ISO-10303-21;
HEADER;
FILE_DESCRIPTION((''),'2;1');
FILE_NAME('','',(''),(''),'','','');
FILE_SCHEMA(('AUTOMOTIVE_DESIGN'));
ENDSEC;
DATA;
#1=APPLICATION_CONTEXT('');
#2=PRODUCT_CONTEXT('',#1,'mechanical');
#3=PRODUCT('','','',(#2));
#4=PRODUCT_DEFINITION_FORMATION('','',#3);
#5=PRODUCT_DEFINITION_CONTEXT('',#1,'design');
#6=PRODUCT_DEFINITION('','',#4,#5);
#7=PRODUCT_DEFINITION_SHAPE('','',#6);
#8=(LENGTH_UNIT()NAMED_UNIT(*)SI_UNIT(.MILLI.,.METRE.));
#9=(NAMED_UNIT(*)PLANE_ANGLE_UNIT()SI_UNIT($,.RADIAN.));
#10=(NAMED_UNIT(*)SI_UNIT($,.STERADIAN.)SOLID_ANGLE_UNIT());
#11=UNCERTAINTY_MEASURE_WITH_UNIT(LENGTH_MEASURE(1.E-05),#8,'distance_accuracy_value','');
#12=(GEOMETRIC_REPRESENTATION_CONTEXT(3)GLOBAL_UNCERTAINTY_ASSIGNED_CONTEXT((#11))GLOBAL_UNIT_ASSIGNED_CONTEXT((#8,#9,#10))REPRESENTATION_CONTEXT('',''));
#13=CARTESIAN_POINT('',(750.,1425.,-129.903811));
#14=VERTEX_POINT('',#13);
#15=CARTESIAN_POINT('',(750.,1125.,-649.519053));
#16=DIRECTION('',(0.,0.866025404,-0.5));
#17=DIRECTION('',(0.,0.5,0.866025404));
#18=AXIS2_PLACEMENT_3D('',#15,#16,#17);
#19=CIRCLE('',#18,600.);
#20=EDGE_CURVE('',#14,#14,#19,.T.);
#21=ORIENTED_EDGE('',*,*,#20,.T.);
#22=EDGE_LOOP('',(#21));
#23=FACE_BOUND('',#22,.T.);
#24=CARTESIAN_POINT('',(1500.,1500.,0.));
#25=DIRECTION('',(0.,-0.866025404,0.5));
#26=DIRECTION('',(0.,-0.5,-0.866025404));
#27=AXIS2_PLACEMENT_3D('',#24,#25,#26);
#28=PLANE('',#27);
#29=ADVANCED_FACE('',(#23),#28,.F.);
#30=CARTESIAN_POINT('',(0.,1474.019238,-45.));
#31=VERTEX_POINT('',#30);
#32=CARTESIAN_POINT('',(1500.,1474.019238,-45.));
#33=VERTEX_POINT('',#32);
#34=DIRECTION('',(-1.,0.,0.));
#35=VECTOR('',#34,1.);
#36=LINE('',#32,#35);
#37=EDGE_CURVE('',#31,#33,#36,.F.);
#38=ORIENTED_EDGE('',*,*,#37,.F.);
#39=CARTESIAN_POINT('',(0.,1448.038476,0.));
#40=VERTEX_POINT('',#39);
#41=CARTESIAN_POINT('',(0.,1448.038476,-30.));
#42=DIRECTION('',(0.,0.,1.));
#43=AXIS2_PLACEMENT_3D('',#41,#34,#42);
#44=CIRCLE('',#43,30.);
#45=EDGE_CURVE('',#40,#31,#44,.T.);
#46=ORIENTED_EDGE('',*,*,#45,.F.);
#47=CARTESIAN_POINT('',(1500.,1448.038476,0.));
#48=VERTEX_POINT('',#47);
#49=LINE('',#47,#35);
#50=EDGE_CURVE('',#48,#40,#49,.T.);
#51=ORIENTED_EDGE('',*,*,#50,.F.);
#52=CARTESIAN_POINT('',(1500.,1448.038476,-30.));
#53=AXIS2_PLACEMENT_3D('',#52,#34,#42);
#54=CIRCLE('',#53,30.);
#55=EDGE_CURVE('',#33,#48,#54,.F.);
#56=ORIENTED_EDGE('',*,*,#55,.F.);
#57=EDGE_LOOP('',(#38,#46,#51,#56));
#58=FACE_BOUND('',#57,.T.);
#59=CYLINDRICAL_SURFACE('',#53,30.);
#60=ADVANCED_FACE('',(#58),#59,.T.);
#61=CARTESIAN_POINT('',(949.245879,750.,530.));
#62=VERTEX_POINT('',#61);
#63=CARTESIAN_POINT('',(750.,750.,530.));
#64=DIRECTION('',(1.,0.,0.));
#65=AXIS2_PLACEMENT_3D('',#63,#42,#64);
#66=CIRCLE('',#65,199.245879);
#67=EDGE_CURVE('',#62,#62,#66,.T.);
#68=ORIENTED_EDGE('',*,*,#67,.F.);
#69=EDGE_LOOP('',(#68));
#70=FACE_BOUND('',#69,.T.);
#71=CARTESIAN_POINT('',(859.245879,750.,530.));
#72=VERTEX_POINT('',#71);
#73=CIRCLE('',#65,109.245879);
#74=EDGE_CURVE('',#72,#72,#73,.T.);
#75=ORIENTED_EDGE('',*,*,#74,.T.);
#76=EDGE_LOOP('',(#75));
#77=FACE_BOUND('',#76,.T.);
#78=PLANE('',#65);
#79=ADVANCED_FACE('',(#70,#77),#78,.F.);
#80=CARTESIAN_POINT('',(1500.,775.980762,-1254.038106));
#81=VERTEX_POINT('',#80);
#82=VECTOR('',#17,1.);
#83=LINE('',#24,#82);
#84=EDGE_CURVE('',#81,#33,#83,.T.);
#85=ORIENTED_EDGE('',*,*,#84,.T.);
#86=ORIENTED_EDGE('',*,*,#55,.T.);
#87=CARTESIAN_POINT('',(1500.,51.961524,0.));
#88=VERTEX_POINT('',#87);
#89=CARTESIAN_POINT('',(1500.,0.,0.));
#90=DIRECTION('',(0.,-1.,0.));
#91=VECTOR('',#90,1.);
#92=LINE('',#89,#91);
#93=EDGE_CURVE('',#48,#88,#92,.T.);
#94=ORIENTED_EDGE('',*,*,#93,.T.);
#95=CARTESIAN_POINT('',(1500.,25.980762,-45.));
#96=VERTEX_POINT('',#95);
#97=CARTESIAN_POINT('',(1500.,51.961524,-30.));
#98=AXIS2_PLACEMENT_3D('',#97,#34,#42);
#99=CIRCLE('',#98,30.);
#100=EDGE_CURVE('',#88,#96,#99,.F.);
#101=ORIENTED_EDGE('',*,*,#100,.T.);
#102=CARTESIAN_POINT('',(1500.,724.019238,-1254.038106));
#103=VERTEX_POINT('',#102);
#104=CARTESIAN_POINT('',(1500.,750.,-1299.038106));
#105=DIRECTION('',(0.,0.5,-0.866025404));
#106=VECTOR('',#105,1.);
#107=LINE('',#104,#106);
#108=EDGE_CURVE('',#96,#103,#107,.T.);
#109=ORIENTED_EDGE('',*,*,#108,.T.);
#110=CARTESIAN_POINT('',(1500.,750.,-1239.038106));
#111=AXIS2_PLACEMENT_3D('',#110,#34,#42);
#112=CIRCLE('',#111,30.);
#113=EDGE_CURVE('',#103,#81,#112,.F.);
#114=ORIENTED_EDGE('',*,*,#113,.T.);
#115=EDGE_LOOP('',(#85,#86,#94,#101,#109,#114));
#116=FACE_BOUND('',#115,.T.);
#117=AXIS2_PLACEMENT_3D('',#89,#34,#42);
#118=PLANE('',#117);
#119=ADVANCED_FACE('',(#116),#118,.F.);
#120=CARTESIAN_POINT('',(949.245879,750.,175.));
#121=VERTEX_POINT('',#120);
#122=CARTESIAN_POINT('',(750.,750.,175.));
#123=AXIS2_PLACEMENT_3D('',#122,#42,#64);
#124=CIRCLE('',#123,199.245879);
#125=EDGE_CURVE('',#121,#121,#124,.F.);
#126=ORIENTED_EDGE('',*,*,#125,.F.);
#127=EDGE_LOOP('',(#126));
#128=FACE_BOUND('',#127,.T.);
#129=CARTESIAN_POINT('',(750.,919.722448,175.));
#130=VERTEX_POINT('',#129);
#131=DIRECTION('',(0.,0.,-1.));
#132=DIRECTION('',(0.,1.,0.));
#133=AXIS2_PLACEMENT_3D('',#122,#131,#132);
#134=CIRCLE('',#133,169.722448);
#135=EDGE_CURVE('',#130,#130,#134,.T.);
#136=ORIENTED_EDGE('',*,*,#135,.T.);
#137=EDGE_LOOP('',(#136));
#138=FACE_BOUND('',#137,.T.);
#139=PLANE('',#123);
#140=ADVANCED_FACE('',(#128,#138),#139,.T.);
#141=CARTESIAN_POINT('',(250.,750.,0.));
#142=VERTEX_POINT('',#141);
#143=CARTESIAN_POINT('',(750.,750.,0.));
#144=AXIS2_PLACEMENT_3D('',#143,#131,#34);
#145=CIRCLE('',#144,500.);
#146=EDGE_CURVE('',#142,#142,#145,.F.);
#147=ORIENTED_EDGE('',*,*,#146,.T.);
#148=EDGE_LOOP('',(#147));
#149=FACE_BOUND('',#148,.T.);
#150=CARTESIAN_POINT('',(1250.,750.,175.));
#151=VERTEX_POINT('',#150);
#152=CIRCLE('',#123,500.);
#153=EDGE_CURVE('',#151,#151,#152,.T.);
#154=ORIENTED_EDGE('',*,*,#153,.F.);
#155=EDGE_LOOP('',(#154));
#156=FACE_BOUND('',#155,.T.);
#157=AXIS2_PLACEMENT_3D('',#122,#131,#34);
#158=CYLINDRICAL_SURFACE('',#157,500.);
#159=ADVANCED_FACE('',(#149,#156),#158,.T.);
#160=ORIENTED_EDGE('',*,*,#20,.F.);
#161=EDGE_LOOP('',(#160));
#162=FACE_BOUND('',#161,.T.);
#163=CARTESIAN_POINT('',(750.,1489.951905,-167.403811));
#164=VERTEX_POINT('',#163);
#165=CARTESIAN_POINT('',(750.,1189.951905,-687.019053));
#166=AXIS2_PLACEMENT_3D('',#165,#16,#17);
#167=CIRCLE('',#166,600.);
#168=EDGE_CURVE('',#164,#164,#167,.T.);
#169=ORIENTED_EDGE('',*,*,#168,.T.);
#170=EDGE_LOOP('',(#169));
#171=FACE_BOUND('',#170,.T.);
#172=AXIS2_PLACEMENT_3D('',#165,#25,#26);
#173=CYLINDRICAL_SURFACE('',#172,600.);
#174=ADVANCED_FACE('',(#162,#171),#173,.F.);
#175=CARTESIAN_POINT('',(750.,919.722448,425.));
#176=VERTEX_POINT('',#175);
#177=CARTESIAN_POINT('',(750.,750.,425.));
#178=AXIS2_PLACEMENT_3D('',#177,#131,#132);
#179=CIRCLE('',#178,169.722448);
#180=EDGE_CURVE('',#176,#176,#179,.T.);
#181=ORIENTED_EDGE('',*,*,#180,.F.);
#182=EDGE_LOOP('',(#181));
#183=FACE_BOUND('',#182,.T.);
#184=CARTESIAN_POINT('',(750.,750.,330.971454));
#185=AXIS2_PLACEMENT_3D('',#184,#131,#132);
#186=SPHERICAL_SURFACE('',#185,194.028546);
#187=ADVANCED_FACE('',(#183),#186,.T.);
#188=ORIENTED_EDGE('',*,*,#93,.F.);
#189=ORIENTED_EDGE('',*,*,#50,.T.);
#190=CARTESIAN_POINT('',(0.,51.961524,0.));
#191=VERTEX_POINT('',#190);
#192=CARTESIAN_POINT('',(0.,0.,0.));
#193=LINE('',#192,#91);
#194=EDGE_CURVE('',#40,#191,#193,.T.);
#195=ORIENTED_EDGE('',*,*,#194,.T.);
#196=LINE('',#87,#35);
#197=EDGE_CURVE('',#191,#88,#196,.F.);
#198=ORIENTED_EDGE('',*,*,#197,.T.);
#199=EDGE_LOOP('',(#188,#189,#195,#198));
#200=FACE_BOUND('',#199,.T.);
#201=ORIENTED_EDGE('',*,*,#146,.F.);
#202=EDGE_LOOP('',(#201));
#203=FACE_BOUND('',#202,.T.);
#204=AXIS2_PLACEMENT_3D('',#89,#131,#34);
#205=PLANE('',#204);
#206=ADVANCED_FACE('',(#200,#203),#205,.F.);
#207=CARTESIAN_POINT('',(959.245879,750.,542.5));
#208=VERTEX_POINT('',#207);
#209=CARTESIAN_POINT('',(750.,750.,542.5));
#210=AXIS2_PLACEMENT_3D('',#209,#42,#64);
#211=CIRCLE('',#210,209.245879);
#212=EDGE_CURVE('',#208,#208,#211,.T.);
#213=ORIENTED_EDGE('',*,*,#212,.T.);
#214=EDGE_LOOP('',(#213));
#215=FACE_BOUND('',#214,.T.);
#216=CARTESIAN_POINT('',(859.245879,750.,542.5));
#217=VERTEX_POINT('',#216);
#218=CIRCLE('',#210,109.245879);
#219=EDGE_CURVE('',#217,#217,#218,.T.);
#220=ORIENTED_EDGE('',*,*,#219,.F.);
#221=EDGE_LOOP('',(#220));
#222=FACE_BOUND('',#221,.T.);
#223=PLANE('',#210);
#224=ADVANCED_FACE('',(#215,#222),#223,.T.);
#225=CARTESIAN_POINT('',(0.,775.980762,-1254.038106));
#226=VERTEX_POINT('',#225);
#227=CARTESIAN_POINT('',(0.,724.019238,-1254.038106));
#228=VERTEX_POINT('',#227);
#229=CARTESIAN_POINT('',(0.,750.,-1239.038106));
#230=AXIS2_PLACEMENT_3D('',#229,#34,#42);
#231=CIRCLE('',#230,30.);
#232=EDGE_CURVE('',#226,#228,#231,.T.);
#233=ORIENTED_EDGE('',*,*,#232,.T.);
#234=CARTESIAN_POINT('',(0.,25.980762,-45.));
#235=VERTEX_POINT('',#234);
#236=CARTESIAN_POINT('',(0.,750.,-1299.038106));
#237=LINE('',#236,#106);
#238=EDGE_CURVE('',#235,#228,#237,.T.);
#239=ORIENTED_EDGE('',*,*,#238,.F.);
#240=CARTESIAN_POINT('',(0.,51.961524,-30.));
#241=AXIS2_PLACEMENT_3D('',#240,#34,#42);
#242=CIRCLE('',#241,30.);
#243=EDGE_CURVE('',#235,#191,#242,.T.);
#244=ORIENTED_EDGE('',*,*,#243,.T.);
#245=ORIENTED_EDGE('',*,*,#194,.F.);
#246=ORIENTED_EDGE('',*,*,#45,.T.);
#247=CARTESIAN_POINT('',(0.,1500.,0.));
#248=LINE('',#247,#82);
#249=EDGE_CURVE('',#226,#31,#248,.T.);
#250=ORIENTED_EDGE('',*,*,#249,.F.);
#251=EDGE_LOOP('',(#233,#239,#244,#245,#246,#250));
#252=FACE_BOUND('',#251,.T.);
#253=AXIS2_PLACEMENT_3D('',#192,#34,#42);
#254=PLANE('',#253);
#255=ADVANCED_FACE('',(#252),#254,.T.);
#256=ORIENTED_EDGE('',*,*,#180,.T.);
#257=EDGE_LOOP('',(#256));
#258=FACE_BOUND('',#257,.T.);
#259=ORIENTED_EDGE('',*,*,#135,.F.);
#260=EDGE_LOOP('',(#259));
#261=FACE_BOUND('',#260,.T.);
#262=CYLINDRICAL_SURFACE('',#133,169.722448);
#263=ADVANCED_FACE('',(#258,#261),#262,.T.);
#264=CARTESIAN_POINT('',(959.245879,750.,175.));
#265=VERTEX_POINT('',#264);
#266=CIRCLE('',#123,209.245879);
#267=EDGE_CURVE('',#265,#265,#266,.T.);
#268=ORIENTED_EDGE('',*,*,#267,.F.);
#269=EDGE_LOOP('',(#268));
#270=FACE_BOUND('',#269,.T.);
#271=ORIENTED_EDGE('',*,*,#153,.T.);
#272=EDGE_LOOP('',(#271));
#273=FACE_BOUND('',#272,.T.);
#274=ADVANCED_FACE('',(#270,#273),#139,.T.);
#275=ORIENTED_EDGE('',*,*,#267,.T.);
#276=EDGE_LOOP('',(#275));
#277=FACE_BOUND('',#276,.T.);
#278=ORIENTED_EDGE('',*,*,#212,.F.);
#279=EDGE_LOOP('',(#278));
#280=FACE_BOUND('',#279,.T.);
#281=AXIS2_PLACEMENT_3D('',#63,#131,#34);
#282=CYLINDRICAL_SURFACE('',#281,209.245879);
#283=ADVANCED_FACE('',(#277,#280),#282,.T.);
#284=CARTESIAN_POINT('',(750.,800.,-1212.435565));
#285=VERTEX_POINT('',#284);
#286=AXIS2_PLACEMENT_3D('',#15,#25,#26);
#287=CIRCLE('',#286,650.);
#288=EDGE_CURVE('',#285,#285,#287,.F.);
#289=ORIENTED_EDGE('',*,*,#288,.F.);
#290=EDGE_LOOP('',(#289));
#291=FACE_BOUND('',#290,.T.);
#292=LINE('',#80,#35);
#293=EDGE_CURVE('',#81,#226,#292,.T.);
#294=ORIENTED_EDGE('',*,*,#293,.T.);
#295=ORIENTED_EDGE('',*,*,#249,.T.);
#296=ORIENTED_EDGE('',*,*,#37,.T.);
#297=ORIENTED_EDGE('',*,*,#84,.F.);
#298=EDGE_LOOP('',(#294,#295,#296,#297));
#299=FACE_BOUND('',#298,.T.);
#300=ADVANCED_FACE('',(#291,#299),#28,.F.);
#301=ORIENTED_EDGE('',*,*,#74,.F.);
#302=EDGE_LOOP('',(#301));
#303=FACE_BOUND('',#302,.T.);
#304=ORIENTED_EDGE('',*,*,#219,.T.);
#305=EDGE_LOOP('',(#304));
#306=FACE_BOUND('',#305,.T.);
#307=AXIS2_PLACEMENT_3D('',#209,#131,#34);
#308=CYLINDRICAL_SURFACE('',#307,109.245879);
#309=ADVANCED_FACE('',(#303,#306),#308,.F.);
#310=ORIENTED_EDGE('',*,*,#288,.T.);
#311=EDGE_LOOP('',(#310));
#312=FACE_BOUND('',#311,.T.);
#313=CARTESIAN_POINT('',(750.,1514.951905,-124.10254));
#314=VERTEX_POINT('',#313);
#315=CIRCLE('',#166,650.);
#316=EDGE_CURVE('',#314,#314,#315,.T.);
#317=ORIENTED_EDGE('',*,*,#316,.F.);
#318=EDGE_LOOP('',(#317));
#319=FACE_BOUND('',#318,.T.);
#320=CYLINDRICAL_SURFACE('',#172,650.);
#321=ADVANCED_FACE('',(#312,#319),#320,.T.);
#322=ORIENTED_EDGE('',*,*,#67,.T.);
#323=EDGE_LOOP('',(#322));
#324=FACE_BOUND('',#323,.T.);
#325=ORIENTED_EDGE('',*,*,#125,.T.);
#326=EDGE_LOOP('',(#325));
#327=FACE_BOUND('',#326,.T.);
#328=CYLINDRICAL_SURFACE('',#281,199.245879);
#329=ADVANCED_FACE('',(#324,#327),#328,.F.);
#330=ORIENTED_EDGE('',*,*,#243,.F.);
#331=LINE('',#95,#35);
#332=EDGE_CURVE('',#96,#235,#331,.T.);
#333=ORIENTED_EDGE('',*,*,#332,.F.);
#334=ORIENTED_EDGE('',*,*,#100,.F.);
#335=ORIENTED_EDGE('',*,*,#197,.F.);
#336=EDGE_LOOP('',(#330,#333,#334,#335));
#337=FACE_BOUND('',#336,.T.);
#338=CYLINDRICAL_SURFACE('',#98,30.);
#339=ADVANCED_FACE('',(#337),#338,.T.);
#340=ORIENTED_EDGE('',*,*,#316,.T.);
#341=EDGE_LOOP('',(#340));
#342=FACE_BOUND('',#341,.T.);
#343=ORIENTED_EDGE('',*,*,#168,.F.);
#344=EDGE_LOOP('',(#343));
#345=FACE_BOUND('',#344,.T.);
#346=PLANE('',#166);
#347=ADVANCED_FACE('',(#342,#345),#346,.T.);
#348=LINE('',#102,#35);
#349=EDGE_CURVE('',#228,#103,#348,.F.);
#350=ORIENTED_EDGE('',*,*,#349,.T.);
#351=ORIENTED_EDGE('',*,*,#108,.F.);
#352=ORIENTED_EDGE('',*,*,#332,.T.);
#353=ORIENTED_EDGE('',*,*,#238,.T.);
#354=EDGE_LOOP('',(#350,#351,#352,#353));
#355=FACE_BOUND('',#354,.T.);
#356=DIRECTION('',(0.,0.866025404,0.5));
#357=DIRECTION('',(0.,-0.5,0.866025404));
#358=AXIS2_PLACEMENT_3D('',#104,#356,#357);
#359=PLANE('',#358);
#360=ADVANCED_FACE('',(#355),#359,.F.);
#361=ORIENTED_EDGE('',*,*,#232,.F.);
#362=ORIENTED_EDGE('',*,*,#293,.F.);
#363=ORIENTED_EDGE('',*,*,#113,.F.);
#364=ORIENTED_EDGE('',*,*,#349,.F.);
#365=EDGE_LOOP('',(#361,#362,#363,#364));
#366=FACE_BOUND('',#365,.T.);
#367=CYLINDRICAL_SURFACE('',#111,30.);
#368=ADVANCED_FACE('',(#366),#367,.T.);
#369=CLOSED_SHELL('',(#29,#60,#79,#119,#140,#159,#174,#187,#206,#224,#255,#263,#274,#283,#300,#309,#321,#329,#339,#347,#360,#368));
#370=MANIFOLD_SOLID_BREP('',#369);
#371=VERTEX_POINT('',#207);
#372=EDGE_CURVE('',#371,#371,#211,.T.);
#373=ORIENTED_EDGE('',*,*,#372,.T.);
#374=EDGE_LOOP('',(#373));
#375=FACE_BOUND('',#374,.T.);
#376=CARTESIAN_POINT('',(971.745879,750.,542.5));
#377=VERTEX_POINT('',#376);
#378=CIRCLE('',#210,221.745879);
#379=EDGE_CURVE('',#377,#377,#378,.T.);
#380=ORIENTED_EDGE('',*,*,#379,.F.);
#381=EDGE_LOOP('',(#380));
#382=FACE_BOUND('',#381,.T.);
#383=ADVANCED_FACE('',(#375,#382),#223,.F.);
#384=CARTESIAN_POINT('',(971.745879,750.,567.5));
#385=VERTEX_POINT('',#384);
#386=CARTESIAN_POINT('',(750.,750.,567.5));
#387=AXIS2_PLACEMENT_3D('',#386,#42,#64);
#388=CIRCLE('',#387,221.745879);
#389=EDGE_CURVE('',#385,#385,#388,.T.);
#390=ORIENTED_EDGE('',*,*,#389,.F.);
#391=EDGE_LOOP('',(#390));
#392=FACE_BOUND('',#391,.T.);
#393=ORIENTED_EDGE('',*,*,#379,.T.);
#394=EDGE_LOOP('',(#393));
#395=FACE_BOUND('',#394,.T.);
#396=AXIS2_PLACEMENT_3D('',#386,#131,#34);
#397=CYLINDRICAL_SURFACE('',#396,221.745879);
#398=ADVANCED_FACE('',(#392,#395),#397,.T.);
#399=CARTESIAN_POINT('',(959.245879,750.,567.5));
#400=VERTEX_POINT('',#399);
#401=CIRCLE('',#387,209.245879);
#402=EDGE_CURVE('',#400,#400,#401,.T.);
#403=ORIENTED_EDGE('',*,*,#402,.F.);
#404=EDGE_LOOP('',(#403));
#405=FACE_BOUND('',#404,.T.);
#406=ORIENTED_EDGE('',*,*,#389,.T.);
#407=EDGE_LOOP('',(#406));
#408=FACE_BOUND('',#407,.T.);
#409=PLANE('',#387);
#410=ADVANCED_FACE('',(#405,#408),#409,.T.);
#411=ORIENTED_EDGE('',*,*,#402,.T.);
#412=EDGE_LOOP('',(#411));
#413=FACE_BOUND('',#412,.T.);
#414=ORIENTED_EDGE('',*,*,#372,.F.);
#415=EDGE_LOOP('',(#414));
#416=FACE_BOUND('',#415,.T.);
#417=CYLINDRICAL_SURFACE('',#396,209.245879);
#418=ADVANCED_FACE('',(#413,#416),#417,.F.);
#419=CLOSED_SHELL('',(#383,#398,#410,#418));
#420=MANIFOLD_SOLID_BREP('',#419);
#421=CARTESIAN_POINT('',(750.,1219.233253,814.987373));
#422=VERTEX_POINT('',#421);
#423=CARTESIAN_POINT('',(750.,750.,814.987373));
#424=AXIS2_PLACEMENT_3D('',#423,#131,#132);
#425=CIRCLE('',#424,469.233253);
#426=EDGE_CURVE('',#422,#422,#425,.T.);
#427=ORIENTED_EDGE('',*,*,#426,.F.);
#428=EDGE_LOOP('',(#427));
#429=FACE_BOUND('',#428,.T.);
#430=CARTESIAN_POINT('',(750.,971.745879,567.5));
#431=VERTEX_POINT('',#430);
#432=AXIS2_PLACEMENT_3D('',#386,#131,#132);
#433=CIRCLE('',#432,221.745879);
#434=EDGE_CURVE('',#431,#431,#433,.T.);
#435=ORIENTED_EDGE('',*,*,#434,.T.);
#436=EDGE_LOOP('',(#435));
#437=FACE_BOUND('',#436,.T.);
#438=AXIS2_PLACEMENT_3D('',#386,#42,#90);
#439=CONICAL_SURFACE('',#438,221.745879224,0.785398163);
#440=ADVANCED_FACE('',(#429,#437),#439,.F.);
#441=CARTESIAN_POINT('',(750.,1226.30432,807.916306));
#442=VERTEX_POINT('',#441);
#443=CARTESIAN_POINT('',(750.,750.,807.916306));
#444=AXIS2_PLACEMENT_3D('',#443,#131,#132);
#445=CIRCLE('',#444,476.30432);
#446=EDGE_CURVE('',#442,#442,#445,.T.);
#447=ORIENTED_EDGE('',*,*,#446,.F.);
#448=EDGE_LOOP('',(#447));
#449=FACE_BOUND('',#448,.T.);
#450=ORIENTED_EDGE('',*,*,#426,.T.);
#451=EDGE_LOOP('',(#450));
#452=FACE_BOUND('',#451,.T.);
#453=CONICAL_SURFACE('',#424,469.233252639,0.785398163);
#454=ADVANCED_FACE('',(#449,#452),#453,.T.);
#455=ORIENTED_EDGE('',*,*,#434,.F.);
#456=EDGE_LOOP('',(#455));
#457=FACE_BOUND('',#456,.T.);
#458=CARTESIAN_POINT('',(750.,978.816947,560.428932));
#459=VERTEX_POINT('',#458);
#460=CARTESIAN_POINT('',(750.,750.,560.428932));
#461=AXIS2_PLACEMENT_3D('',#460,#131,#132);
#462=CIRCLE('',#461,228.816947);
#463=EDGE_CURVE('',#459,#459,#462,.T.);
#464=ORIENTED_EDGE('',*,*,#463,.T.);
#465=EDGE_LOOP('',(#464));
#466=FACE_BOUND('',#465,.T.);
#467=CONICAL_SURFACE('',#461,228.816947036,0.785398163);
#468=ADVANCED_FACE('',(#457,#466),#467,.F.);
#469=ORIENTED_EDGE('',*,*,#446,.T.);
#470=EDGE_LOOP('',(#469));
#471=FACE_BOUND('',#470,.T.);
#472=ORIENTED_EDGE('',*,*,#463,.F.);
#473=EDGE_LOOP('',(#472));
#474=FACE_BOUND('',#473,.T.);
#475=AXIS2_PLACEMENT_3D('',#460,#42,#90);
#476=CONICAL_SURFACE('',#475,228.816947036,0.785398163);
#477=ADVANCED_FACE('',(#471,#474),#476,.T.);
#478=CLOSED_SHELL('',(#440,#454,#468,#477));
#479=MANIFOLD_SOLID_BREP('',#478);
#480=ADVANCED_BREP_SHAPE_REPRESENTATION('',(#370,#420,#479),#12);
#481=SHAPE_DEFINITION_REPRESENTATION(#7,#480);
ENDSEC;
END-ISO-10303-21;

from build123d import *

# Parameters (mm, degrees)
BOSS_EXTRUDE1_DEPTH = 1500
FILLET5_R           = 30
FILLET6_R           = 30
SKETCH5_R           = 500
BOSS_EXTRUDE2_DEPTH = 175
SKETCH10_R          = 209.245879224
SKETCH10_R_2        = 199.245879224
EXTRUDE_THIN2_DEPTH = 355
SKETCH11_R          = 209.245879224
SKETCH11_R_2        = 109.245879224
BOSS_EXTRUDE3_DEPTH = 12.5
SKETCH12_R          = 221.745879224
SKETCH12_R_2        = 209.245879224
BOSS_EXTRUDE5_DEPTH = 25
SKETCH15_R          = 650
SKETCH15_R_2        = 600
BOSS_EXTRUDE6_DEPTH = 75


with BuildPart() as part:
    # Sketch3 → Boss-Extrude1 (new body)
    with BuildSketch(Plane(origin=(0, 0, 0), x_dir=(0, 0, -1), z_dir=(1, 0, 0))):
        Polygon((0, 0), (0, 1500), (1299.038105677, 750), align=None)
    extrude(amount=BOSS_EXTRUDE1_DEPTH)

    # Fillet5
    fillet5_edges = [part.edges().sort_by_distance(p)[0] for p in [
        (750, 1500, 0),
    ]]
    fillet(fillet5_edges, radius=FILLET5_R)

    # Fillet6
    fillet6_edges = [part.edges().sort_by_distance(p)[0] for p in [
        (750, 0, 0),
        (750, 750, -1299.038105677),
    ]]
    fillet(fillet6_edges, radius=FILLET6_R)

    # Sketch5 → Boss-Extrude2 (add)
    with BuildSketch(Plane.XY):
        with Locations(Location((750, 750, 0), (0, 0, 180))):
            Circle(SKETCH5_R)
    extrude(amount=BOSS_EXTRUDE2_DEPTH)

    # Sketch9 → Revolve1 (revolve)
    with BuildSketch(Plane(origin=(750, 0, 0), x_dir=(0, 0, -1), z_dir=(1, 0, 0))):
        with BuildLine():
            Line((-175, 919.722447551), (-425, 919.722447551))
            ThreePointArc((-425, 919.722447551), (-498.140976829, 848.495823773), (-525, 750))
            Line((-525, 750), (-175, 750))
            Line((-175, 750), (-175, 919.722447551))
        make_face()
    revolve(axis=Axis((750, 750, 175), (0, 0, 1)))

    # Sketch10 → Extrude-Thin2 (add)
    with BuildSketch(Plane.XY.offset(175)):
        with Locations((750, 750)):
            Circle(SKETCH10_R)
        with Locations((750, 750)):
            Circle(SKETCH10_R_2, mode=Mode.SUBTRACT)
    extrude(amount=EXTRUDE_THIN2_DEPTH)

    # Sketch11 → Boss-Extrude3 (add)
    with BuildSketch(Plane.XY.offset(530)):
        with Locations((750, 750)):
            Circle(SKETCH11_R)
        with Locations((750, 750)):
            Circle(SKETCH11_R_2, mode=Mode.SUBTRACT)
    extrude(amount=BOSS_EXTRUDE3_DEPTH)

    # Sketch15 → Boss-Extrude6 (add)
    with BuildSketch(Plane(origin=(0, 1125, -649.519052838), x_dir=(1, 0, 0), z_dir=(0, 0.8660254037844382, -0.500000000000001))):
        with Locations(Location((750, 0, 0), (0, 0, 90))):
            Circle(SKETCH15_R)
        with Locations(Location((750, 0, 0), (0, 0, 270))):
            Circle(SKETCH15_R_2, mode=Mode.SUBTRACT)
    extrude(amount=BOSS_EXTRUDE6_DEPTH)


with BuildPart() as body_2:
    # Sketch12 → Boss-Extrude5 (new body)
    with BuildSketch(Plane.XY.offset(542.5)):
        with Locations((750, 750)):
            Circle(SKETCH12_R)
        with Locations((750, 750)):
            Circle(SKETCH12_R_2, mode=Mode.SUBTRACT)
    extrude(amount=BOSS_EXTRUDE5_DEPTH)


with BuildPart() as body_3:
    # Sketch13 → Revolve-Thin1 (revolve)
    with BuildSketch(Plane(origin=(750, 0, 0), x_dir=(0, 0, -1), z_dir=(1, 0, 0))):
        Polygon((-567.5, 971.745879224), (-814.987373415, 1219.233252639), (-807.916305603, 1226.304320451), (-560.428932188, 978.816947036), align=None)
    revolve(axis=Axis((750, 750, -1269.038105677), (0, 0, 1)))


solid = Compound([part.part, body_2.part, body_3.part])
